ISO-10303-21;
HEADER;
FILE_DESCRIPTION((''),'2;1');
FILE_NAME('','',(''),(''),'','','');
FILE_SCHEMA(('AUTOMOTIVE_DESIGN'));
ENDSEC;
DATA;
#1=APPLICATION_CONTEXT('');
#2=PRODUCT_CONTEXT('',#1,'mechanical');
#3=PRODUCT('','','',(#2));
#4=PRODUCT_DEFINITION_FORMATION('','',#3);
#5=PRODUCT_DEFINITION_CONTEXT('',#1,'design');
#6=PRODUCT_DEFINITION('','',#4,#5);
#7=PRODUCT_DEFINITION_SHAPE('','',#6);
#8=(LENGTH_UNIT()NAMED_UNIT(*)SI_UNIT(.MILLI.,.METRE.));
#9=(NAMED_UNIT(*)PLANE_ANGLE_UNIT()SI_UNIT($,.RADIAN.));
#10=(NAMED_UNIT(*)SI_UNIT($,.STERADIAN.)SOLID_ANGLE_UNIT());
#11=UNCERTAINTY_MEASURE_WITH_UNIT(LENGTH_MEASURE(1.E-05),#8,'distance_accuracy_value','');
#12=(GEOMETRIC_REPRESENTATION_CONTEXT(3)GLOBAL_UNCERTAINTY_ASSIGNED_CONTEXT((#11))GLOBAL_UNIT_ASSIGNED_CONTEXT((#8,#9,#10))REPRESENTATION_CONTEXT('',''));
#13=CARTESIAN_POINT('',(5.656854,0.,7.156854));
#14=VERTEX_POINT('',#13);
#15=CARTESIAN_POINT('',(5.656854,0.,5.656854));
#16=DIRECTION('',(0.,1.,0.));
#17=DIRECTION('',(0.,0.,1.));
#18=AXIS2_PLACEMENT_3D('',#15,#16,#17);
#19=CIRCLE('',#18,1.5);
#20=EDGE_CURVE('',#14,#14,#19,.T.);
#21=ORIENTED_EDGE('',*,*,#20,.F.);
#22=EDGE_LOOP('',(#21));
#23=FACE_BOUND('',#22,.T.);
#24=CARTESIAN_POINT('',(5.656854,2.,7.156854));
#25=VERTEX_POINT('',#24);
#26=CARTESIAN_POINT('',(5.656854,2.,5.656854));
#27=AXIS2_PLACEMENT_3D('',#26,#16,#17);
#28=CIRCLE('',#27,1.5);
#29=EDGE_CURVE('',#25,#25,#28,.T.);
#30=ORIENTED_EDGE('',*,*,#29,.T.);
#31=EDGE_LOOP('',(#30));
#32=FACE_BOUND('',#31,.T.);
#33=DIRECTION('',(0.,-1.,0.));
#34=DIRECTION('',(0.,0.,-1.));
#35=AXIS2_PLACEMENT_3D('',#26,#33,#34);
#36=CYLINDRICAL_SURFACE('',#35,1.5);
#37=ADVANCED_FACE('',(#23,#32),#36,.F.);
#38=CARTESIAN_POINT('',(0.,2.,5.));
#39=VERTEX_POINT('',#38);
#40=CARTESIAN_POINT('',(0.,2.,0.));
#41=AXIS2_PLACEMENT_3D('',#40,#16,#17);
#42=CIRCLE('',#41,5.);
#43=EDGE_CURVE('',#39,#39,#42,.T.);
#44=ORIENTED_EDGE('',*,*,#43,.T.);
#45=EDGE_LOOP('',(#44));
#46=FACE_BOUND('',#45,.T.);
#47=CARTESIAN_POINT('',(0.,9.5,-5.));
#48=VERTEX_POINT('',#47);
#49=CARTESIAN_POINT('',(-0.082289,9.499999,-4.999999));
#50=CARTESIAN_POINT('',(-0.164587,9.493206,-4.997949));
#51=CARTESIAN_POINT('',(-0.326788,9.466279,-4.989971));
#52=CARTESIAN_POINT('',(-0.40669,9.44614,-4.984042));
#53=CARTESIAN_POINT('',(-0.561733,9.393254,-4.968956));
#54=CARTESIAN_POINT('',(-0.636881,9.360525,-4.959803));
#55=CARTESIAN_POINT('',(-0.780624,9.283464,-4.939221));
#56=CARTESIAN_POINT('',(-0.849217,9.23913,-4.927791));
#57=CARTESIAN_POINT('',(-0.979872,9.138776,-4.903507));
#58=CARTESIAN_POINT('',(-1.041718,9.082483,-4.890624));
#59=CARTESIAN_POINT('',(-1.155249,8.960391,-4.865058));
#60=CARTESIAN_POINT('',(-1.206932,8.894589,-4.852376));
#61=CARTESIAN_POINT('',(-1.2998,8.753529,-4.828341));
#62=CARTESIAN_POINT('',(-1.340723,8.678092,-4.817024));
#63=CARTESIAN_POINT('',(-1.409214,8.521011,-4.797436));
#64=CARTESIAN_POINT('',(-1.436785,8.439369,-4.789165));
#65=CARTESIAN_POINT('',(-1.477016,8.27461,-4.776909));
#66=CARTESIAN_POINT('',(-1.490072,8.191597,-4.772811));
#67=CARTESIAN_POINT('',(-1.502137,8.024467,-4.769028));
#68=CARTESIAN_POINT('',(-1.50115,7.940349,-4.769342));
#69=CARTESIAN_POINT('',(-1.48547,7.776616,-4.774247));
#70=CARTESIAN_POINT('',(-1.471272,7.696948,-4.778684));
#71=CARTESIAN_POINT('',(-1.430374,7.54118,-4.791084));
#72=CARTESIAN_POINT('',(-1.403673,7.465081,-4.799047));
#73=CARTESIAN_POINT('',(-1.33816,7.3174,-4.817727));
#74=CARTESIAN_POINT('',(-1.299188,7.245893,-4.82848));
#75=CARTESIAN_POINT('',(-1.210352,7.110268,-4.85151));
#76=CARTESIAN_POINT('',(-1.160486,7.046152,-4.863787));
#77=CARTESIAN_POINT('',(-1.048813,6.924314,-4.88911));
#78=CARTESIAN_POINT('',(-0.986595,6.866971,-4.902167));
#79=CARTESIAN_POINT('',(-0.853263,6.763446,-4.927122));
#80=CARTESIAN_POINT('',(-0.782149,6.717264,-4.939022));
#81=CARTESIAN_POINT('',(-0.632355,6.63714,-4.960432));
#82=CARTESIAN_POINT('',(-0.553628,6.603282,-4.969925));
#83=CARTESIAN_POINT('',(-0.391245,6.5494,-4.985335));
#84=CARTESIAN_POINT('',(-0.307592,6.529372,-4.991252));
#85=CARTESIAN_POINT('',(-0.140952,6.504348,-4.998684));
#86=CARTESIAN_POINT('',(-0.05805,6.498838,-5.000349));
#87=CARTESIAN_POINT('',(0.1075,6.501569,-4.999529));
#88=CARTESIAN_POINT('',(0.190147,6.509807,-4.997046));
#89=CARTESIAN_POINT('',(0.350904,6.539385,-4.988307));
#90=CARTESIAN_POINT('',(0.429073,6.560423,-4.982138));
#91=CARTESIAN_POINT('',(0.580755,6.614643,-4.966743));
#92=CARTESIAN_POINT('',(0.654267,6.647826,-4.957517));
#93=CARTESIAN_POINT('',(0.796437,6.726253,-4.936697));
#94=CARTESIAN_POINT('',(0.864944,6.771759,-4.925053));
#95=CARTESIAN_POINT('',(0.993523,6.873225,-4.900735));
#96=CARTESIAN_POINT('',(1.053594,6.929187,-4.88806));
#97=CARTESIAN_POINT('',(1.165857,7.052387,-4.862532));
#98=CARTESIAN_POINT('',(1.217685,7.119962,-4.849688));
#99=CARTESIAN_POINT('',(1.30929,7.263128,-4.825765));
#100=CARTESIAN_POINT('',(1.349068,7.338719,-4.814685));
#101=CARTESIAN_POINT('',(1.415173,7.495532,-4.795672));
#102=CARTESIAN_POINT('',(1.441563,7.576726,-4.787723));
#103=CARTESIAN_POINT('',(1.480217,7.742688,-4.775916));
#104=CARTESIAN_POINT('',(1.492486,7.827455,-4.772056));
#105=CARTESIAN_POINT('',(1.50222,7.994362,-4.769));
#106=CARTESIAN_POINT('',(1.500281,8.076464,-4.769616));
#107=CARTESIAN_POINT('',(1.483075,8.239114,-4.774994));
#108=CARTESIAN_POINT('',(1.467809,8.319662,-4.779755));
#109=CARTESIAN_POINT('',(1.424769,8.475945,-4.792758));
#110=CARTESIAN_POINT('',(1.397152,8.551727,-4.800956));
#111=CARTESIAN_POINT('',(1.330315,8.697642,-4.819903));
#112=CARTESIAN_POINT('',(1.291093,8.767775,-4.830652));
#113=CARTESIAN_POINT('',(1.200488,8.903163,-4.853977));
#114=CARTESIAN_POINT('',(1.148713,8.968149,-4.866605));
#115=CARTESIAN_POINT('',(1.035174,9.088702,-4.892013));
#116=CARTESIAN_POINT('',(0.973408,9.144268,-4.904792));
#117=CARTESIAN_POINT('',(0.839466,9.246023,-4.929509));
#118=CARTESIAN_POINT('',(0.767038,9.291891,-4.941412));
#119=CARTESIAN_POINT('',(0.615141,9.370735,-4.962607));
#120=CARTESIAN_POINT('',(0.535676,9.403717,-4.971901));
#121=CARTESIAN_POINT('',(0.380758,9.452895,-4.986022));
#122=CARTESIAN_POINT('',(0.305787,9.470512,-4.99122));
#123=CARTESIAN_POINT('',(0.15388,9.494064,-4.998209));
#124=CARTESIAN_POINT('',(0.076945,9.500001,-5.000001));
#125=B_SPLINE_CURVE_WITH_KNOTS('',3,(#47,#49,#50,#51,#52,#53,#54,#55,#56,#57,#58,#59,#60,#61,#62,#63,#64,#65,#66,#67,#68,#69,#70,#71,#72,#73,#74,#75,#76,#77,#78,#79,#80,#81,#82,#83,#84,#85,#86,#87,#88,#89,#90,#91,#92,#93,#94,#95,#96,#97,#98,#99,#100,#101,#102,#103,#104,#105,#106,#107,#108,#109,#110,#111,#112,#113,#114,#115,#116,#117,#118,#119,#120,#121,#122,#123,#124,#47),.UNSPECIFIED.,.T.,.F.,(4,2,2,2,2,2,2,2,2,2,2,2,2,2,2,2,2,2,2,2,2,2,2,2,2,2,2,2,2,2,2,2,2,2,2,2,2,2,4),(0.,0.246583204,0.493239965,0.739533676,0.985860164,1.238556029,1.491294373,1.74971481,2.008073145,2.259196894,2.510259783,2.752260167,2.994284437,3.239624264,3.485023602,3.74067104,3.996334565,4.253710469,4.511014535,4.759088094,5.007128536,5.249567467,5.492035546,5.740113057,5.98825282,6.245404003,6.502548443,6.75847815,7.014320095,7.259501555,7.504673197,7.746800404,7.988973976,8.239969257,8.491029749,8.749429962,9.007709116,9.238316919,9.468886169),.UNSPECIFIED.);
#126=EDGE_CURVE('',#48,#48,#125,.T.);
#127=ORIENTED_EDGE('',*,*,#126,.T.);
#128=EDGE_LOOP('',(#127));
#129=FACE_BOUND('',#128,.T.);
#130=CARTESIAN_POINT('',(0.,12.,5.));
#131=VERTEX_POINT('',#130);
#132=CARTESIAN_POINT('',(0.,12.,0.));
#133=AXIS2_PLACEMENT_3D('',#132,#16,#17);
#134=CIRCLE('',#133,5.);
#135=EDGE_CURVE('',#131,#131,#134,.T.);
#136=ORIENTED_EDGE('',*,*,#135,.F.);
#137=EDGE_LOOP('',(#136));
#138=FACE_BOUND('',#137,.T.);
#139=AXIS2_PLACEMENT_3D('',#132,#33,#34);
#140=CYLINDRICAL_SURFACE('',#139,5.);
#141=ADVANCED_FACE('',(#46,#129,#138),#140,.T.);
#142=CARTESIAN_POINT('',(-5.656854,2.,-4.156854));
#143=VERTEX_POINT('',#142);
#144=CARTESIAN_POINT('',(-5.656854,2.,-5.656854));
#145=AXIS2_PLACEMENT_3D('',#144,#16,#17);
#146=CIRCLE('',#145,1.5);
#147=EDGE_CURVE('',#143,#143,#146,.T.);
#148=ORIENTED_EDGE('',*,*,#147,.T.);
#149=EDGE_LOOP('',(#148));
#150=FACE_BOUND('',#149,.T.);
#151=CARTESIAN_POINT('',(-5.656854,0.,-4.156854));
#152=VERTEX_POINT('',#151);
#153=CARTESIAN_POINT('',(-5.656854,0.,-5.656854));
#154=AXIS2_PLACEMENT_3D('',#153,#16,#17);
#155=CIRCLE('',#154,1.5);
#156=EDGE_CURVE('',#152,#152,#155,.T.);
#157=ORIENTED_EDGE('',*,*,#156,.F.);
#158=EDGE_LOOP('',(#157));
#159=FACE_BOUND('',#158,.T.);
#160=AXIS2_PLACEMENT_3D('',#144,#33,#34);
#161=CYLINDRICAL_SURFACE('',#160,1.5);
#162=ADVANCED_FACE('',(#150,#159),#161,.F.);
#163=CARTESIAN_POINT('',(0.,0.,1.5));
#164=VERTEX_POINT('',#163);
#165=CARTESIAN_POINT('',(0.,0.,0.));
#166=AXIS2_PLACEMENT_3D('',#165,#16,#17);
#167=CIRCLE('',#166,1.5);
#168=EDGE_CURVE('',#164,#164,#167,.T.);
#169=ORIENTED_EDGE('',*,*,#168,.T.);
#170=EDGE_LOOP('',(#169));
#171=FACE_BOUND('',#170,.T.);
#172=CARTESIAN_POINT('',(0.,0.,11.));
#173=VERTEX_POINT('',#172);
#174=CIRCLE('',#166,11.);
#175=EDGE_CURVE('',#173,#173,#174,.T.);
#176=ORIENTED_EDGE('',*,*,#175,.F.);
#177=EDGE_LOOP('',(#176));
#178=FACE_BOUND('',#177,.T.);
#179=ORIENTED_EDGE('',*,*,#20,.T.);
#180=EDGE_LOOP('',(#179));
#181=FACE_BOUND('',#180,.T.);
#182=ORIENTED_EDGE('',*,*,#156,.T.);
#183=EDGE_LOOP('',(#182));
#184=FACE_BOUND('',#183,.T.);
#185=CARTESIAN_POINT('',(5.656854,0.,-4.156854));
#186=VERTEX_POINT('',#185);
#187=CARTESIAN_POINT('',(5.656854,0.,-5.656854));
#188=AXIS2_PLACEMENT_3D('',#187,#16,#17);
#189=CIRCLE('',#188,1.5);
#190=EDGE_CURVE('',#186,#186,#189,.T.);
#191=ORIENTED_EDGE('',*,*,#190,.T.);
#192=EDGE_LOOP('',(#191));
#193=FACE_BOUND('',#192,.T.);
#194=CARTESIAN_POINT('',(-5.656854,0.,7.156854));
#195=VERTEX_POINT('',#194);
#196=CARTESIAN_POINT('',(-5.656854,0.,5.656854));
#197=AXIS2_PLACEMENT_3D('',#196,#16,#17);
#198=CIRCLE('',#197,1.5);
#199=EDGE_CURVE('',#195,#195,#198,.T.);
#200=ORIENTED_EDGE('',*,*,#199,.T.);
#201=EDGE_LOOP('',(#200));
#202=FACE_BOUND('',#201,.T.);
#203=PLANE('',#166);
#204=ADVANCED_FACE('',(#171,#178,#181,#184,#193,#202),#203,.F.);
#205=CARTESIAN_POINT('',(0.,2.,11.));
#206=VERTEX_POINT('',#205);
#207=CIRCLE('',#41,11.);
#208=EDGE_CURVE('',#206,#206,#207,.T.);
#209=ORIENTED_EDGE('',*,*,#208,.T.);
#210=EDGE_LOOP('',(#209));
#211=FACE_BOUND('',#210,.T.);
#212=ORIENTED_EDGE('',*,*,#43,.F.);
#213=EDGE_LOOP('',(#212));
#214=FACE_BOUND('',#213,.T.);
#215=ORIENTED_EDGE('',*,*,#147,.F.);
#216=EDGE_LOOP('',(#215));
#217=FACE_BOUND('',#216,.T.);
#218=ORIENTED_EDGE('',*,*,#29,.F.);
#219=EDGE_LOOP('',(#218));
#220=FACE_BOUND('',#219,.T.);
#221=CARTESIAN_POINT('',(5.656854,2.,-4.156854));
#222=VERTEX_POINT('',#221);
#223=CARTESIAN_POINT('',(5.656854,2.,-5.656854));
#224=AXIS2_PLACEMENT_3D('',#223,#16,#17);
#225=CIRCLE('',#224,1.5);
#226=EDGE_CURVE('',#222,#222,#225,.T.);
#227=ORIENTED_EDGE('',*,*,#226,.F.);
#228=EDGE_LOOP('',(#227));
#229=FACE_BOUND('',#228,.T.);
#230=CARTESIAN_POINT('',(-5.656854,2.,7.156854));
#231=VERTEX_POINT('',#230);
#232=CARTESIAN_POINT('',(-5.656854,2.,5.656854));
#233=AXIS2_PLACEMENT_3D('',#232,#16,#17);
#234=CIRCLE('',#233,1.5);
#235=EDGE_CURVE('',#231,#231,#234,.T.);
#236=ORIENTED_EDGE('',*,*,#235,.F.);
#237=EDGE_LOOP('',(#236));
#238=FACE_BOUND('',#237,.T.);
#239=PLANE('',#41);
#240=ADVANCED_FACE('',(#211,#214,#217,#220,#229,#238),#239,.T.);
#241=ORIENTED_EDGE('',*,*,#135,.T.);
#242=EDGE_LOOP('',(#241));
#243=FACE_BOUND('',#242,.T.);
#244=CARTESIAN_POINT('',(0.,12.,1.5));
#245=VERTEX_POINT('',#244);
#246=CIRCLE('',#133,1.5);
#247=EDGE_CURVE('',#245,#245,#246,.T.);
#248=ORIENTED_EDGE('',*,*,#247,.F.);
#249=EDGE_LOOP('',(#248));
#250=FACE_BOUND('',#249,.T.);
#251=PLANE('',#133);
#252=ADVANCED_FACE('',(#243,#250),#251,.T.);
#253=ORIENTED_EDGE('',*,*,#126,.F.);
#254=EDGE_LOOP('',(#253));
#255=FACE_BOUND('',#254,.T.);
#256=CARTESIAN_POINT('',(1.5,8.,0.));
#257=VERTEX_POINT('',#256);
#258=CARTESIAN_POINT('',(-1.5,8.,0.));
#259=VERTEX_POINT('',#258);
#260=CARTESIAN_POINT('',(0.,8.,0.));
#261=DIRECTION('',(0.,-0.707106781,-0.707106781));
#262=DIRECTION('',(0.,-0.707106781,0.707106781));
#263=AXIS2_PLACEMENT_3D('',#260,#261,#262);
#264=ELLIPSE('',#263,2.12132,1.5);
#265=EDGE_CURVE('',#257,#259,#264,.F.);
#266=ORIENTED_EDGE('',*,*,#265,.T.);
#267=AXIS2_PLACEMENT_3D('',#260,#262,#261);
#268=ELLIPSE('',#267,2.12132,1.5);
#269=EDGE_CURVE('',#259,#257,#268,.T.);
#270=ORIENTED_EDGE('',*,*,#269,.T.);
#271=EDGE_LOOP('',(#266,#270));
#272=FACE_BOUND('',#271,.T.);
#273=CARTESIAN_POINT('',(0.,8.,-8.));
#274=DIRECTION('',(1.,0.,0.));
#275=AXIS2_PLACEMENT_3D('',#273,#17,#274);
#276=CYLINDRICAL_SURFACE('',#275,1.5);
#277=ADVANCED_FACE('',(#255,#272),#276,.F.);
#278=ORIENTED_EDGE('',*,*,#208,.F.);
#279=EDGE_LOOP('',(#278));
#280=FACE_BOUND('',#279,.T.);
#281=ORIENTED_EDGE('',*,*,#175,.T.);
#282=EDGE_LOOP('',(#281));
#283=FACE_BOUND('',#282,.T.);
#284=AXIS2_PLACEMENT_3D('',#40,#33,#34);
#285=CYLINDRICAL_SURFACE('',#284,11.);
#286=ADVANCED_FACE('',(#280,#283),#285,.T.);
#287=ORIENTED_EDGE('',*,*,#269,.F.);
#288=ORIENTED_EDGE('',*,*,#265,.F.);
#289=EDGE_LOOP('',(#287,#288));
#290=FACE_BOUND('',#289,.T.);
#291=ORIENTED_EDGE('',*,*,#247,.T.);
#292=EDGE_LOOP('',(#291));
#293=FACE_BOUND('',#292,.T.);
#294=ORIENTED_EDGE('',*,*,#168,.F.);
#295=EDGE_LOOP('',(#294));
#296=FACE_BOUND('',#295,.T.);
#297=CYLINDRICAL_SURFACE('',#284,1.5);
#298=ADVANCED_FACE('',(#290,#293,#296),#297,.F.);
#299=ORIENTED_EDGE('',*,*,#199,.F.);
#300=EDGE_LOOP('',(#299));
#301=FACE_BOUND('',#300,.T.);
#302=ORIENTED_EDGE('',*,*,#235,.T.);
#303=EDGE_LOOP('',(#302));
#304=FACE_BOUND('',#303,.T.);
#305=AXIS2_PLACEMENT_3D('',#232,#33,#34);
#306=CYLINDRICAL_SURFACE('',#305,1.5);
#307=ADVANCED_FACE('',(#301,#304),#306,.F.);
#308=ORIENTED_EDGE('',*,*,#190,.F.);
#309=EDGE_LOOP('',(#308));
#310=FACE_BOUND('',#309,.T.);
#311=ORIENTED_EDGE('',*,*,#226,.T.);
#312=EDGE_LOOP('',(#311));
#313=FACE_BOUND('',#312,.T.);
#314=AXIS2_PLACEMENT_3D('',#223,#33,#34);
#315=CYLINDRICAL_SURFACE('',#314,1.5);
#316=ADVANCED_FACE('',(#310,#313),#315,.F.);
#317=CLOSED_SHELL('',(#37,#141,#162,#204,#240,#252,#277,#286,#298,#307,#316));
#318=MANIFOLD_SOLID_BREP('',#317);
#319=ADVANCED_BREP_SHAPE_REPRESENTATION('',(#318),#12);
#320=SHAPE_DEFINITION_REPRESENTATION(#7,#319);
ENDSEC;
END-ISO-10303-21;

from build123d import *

# Parameters (mm, degrees)
SKETCH_1_R          = 11
SKETCH_1_R_2        = 1.5
EXTRUDE_1_DEPTH     = 2
SKETCH_2_R          = 5
SKETCH_2_R_2        = 1.5
EXTRUDE_2_DEPTH     = 10
SKETCH_3_R          = 1.5
CUT_EXTRUDE_1_DEPTH = 8


with BuildPart() as part:
    # 草图1 → 凸台-拉伸1 (new body)
    with BuildSketch(Plane(origin=(0, 0, 0), x_dir=(1, 0, 0), z_dir=(0, 1, 0))):
        with Locations(Location((0, 0, 0), (0, 0, 270))):
            Circle(SKETCH_1_R)
        with Locations(Location((0, 0, 0), (0, 0, 270))):
            Circle(SKETCH_1_R_2, mode=Mode.SUBTRACT)
        with Locations(Location((5.656854249, 5.656854249, 0), (0, 0, 270))):
            Circle(SKETCH_1_R_2, mode=Mode.SUBTRACT)
        with Locations(Location((-5.656854249, 5.656854249, 0), (0, 0, 270))):
            Circle(SKETCH_1_R_2, mode=Mode.SUBTRACT)
        with Locations(Location((-5.656854249, -5.656854249, 0), (0, 0, 270))):
            Circle(SKETCH_1_R_2, mode=Mode.SUBTRACT)
        with Locations(Location((5.656854249, -5.656854249, 0), (0, 0, 270))):
            Circle(SKETCH_1_R_2, mode=Mode.SUBTRACT)
    extrude(amount=EXTRUDE_1_DEPTH)

    # 草图2 → 凸台-拉伸2 (add)
    with BuildSketch(Plane(origin=(0, 2, 0), x_dir=(1, 0, 0), z_dir=(0, 1, 0))):
        with Locations(Location((0, 0, 0), (0, 0, 270))):
            Circle(SKETCH_2_R)
        with Locations(Location((0, 0, 0), (0, 0, 270))):
            Circle(SKETCH_2_R_2, mode=Mode.SUBTRACT)
    extrude(amount=EXTRUDE_2_DEPTH)

    # 草图3 → 切除-拉伸1 (cut)
    with BuildSketch(Plane.XY):
        with Locations((0, 8)):
            Circle(SKETCH_3_R)
    extrude(amount=-CUT_EXTRUDE_1_DEPTH, mode=Mode.SUBTRACT)


solid = part.part
